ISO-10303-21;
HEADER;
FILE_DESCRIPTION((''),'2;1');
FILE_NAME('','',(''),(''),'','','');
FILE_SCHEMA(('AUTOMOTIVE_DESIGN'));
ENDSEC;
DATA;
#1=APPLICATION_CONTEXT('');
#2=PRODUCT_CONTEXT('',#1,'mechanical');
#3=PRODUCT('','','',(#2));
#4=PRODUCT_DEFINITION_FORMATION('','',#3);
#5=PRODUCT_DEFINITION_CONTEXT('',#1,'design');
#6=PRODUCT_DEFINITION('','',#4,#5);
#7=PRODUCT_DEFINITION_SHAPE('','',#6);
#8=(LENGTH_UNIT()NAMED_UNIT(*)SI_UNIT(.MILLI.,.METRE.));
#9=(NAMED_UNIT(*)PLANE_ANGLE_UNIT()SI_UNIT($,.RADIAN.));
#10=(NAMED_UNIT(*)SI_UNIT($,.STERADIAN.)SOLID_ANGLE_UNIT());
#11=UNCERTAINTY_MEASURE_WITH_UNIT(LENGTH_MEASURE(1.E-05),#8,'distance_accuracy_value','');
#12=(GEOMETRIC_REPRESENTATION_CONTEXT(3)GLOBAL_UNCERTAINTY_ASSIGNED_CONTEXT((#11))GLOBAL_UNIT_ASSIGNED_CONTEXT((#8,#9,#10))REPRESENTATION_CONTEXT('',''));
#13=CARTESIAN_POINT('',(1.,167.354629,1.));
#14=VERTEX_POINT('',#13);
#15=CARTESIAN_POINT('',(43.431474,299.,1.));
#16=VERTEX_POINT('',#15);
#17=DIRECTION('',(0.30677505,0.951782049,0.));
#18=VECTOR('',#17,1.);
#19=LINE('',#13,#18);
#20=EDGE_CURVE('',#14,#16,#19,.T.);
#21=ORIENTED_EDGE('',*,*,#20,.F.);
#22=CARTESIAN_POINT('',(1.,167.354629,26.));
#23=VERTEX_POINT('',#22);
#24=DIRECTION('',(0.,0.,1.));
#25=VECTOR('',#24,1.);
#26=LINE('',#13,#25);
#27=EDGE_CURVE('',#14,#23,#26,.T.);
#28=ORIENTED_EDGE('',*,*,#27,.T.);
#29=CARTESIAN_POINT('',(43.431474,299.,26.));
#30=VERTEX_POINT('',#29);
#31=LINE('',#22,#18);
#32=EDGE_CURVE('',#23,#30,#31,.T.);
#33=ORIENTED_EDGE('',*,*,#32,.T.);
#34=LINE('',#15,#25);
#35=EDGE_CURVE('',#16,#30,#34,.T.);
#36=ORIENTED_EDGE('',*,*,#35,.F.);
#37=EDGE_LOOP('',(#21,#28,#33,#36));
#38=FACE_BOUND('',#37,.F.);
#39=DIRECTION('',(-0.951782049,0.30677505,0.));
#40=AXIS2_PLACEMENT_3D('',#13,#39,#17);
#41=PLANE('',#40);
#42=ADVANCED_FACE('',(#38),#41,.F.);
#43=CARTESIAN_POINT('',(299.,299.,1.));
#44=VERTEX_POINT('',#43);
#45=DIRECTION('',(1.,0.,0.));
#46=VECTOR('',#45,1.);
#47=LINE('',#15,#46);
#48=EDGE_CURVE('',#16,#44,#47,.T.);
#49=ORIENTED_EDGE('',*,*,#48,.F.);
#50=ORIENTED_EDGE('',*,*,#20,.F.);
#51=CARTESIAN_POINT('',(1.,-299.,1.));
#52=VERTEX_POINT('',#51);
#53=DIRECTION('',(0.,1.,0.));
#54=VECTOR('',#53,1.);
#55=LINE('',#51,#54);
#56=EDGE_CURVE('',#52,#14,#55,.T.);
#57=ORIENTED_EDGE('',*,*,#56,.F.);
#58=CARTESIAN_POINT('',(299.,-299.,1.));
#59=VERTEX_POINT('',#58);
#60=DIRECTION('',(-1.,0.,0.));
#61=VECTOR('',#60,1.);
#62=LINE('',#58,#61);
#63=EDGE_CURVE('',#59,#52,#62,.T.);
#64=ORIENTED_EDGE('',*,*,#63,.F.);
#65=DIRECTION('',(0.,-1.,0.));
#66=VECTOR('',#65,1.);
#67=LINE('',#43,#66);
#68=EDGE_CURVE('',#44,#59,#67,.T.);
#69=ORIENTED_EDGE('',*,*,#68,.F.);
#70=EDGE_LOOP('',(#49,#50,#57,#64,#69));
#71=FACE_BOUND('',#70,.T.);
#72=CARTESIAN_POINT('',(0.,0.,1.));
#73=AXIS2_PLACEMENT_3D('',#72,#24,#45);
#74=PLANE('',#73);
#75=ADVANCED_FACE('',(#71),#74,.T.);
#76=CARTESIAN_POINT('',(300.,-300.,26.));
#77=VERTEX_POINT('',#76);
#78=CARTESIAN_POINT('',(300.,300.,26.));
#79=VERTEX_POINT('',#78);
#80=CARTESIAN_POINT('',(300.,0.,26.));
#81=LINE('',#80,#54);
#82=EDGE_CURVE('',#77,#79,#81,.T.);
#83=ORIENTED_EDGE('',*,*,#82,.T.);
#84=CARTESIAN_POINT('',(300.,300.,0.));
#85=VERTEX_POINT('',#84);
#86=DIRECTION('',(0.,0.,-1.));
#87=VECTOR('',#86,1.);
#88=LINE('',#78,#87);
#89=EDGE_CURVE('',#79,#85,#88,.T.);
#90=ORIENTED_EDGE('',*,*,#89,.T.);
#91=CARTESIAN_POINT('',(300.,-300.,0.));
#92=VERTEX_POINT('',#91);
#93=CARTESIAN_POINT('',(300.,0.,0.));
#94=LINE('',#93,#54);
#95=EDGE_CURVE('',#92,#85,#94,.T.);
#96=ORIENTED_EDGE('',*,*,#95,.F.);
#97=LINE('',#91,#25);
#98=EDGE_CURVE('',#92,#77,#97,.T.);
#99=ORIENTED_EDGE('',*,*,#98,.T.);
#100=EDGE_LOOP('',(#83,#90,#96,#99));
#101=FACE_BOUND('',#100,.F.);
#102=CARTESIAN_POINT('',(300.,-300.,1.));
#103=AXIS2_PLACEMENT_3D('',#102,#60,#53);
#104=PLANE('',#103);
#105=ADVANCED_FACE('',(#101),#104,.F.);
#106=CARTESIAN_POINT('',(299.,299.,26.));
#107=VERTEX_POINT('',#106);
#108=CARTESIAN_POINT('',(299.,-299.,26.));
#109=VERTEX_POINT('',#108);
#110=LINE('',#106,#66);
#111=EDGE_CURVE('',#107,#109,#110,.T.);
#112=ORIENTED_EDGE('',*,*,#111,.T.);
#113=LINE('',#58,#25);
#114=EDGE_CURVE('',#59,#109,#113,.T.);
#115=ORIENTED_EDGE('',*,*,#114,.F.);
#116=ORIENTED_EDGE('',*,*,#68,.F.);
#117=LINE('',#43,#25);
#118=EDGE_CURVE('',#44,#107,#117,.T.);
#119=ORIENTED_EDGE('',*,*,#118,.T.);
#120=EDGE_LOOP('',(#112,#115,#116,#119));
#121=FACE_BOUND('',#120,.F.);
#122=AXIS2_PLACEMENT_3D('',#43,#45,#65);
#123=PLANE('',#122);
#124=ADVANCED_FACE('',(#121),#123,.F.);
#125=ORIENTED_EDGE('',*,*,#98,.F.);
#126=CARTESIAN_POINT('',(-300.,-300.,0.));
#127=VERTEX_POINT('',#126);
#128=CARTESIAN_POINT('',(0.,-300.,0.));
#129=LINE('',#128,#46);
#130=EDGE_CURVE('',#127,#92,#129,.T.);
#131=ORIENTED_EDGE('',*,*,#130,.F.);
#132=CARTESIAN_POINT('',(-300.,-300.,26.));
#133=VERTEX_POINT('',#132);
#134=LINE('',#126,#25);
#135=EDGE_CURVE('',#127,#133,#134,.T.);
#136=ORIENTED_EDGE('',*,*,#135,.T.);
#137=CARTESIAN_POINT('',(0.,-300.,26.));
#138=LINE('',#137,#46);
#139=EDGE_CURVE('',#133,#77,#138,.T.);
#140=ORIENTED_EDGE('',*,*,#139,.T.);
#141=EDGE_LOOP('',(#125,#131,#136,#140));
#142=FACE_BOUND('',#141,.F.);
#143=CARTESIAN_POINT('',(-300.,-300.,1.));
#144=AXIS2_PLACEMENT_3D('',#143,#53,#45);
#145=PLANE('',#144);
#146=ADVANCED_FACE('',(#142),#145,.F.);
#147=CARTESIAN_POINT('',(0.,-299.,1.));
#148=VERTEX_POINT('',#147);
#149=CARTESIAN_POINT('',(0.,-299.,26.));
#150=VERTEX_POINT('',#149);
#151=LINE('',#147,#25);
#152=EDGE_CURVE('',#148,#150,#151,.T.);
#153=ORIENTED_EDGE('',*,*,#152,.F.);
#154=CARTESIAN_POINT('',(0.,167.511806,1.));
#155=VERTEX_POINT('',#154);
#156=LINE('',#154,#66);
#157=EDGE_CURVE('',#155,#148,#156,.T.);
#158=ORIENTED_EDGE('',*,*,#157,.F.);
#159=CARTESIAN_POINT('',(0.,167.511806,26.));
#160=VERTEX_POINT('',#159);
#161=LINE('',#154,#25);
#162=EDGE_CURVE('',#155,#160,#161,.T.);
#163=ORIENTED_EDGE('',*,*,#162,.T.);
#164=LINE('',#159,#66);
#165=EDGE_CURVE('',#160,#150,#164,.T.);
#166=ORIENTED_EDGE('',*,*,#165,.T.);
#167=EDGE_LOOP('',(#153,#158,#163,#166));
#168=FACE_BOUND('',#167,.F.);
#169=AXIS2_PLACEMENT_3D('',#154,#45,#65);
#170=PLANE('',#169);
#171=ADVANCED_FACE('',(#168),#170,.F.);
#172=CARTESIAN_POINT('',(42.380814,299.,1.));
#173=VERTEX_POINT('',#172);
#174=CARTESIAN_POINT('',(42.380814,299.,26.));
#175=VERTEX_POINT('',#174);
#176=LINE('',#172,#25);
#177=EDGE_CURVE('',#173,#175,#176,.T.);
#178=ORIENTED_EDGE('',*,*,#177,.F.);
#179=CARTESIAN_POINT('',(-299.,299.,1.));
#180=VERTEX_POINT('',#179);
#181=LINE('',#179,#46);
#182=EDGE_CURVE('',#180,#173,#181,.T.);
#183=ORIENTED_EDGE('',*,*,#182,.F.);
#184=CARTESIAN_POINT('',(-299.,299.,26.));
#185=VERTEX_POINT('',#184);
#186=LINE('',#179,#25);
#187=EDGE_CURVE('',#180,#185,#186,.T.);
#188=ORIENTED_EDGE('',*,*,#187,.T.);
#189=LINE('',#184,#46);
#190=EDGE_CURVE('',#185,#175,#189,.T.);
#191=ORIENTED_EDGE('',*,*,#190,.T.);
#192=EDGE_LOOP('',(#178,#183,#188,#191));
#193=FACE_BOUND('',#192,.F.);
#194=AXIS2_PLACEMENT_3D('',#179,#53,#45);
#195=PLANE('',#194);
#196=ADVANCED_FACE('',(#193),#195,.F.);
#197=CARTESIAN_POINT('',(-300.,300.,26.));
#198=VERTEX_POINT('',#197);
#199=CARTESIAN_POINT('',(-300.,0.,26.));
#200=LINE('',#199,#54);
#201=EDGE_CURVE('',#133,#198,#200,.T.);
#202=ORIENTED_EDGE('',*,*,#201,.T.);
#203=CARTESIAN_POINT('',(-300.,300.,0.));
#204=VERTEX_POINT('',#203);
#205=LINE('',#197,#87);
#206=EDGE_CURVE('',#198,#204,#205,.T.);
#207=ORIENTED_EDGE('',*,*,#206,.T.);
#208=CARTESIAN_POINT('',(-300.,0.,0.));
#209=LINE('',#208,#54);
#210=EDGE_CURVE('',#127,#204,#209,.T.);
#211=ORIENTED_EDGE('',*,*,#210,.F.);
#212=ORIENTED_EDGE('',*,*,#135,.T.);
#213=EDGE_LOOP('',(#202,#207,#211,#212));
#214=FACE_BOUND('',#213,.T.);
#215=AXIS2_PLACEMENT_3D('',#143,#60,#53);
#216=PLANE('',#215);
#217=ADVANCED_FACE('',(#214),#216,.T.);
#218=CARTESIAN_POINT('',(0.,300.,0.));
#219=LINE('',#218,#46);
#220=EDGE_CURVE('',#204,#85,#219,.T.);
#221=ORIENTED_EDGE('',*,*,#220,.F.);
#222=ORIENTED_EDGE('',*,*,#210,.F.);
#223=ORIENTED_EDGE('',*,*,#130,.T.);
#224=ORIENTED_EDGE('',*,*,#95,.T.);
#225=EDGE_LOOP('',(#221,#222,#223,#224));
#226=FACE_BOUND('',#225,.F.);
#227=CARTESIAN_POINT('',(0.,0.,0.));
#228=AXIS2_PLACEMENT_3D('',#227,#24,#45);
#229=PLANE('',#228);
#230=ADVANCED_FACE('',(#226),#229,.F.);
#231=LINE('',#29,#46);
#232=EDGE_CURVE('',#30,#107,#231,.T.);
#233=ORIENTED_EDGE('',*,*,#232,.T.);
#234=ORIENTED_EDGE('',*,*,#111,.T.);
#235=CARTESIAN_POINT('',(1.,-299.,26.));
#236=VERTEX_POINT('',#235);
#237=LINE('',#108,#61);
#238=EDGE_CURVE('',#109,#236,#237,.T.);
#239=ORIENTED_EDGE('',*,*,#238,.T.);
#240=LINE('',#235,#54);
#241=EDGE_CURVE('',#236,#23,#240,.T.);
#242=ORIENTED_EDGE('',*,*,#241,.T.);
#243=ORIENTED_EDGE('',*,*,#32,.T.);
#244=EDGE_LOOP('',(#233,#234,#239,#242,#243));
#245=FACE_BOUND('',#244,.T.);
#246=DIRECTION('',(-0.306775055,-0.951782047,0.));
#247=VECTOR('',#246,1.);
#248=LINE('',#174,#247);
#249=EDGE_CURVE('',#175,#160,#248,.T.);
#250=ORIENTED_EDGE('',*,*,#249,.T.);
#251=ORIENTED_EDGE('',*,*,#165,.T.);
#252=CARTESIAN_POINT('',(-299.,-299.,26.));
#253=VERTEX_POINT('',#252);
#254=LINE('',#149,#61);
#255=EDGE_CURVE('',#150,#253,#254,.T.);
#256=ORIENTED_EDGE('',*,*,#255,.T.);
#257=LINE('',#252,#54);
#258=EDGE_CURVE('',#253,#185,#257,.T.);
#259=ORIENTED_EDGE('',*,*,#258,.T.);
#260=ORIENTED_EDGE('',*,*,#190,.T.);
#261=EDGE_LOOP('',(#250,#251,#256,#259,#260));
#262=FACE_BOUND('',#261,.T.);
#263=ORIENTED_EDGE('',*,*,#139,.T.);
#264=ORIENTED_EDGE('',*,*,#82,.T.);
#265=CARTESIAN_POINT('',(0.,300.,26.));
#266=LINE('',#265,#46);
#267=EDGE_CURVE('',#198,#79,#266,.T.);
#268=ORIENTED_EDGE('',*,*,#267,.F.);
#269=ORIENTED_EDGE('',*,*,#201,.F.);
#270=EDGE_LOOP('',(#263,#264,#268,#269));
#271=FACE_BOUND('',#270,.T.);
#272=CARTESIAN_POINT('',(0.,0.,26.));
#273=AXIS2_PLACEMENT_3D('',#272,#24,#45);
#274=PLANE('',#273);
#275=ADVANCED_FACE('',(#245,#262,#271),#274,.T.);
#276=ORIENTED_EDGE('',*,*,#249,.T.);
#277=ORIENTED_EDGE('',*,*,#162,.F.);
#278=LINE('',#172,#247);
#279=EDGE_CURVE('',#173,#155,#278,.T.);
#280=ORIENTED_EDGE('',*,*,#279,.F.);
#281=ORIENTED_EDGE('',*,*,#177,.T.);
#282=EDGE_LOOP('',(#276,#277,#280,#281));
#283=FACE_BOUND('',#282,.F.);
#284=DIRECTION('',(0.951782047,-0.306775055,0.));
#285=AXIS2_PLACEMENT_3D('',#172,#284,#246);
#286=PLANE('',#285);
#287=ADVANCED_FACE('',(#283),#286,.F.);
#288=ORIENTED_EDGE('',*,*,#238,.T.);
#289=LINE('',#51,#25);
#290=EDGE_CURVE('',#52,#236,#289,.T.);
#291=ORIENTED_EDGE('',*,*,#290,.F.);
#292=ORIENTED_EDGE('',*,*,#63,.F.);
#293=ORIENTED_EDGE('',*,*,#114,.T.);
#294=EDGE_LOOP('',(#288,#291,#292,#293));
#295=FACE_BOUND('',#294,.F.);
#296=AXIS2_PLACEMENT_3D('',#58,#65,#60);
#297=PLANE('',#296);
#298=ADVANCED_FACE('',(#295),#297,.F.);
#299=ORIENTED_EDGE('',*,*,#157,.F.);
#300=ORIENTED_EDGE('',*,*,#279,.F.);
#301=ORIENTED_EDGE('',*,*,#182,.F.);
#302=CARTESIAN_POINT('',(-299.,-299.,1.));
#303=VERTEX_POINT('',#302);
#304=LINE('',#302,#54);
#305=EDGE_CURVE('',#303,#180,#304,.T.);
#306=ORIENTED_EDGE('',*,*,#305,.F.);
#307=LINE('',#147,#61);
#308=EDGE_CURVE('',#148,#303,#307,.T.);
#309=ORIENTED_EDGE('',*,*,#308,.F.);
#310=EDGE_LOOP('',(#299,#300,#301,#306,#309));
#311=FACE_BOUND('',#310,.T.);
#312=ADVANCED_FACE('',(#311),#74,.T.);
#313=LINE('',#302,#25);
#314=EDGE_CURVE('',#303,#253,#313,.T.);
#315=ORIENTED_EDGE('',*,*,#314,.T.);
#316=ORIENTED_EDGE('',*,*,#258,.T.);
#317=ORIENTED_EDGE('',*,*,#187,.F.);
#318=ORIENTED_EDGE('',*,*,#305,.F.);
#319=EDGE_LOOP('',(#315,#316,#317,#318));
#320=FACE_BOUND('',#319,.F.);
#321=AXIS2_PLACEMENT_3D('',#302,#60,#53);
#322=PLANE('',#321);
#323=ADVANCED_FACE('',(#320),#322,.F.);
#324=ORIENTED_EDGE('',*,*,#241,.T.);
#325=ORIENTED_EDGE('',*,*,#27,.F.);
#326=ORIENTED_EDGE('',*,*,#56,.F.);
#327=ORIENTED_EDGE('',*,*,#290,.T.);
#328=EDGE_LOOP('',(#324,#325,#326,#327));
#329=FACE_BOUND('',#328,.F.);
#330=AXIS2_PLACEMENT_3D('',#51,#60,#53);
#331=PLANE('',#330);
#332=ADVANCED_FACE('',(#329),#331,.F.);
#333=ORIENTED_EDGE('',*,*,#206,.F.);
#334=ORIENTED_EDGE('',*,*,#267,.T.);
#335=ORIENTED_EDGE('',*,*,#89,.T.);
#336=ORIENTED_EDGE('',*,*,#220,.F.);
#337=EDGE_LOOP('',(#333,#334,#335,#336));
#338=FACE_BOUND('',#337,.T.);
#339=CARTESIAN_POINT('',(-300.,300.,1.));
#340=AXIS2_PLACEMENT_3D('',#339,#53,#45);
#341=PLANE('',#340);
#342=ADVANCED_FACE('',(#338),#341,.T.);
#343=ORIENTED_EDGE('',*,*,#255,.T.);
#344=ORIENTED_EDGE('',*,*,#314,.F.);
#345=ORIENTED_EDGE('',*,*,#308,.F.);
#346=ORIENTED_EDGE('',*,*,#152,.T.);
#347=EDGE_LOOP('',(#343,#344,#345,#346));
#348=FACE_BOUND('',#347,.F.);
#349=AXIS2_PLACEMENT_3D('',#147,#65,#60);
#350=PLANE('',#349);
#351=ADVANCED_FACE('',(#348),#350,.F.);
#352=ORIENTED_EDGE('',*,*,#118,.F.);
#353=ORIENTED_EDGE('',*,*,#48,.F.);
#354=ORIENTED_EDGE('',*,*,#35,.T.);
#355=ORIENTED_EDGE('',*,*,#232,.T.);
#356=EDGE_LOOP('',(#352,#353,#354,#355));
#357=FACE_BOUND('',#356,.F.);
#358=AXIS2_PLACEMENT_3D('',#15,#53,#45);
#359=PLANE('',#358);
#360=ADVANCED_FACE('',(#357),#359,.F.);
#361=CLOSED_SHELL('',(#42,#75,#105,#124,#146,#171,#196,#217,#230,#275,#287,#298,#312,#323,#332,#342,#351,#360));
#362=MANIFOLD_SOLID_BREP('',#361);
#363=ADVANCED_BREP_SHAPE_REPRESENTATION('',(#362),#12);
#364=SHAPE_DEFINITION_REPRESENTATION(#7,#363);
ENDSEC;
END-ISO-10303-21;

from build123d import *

# Parameters (mm, degrees)
F0_W     = 600
F0_H     = 600
F1_DEPTH = 1
F2_W     = 600
F2_H     = 600
F3_DEPTH = 25


with BuildPart() as f1:
    # F0 (on Top) → F1 (new body)
    with BuildSketch(Plane.XY):
        Rectangle(F0_W, F0_H)
    extrude(amount=F1_DEPTH)

    # F2 (on face) → F3 (join)
    with BuildSketch(Plane.XY.offset(1)):
        Rectangle(F2_W, F2_H)
        Polygon((-299, -299), (-299, 299), (42.380814, 299), (0, 167.511806), (0, -299), align=None, mode=Mode.SUBTRACT)
        Polygon((43.431474, 299), (299, 299), (299, -299), (1, -299), (1, 167.354629), align=None, mode=Mode.SUBTRACT)
    extrude(amount=F3_DEPTH)


solid = f1.part
